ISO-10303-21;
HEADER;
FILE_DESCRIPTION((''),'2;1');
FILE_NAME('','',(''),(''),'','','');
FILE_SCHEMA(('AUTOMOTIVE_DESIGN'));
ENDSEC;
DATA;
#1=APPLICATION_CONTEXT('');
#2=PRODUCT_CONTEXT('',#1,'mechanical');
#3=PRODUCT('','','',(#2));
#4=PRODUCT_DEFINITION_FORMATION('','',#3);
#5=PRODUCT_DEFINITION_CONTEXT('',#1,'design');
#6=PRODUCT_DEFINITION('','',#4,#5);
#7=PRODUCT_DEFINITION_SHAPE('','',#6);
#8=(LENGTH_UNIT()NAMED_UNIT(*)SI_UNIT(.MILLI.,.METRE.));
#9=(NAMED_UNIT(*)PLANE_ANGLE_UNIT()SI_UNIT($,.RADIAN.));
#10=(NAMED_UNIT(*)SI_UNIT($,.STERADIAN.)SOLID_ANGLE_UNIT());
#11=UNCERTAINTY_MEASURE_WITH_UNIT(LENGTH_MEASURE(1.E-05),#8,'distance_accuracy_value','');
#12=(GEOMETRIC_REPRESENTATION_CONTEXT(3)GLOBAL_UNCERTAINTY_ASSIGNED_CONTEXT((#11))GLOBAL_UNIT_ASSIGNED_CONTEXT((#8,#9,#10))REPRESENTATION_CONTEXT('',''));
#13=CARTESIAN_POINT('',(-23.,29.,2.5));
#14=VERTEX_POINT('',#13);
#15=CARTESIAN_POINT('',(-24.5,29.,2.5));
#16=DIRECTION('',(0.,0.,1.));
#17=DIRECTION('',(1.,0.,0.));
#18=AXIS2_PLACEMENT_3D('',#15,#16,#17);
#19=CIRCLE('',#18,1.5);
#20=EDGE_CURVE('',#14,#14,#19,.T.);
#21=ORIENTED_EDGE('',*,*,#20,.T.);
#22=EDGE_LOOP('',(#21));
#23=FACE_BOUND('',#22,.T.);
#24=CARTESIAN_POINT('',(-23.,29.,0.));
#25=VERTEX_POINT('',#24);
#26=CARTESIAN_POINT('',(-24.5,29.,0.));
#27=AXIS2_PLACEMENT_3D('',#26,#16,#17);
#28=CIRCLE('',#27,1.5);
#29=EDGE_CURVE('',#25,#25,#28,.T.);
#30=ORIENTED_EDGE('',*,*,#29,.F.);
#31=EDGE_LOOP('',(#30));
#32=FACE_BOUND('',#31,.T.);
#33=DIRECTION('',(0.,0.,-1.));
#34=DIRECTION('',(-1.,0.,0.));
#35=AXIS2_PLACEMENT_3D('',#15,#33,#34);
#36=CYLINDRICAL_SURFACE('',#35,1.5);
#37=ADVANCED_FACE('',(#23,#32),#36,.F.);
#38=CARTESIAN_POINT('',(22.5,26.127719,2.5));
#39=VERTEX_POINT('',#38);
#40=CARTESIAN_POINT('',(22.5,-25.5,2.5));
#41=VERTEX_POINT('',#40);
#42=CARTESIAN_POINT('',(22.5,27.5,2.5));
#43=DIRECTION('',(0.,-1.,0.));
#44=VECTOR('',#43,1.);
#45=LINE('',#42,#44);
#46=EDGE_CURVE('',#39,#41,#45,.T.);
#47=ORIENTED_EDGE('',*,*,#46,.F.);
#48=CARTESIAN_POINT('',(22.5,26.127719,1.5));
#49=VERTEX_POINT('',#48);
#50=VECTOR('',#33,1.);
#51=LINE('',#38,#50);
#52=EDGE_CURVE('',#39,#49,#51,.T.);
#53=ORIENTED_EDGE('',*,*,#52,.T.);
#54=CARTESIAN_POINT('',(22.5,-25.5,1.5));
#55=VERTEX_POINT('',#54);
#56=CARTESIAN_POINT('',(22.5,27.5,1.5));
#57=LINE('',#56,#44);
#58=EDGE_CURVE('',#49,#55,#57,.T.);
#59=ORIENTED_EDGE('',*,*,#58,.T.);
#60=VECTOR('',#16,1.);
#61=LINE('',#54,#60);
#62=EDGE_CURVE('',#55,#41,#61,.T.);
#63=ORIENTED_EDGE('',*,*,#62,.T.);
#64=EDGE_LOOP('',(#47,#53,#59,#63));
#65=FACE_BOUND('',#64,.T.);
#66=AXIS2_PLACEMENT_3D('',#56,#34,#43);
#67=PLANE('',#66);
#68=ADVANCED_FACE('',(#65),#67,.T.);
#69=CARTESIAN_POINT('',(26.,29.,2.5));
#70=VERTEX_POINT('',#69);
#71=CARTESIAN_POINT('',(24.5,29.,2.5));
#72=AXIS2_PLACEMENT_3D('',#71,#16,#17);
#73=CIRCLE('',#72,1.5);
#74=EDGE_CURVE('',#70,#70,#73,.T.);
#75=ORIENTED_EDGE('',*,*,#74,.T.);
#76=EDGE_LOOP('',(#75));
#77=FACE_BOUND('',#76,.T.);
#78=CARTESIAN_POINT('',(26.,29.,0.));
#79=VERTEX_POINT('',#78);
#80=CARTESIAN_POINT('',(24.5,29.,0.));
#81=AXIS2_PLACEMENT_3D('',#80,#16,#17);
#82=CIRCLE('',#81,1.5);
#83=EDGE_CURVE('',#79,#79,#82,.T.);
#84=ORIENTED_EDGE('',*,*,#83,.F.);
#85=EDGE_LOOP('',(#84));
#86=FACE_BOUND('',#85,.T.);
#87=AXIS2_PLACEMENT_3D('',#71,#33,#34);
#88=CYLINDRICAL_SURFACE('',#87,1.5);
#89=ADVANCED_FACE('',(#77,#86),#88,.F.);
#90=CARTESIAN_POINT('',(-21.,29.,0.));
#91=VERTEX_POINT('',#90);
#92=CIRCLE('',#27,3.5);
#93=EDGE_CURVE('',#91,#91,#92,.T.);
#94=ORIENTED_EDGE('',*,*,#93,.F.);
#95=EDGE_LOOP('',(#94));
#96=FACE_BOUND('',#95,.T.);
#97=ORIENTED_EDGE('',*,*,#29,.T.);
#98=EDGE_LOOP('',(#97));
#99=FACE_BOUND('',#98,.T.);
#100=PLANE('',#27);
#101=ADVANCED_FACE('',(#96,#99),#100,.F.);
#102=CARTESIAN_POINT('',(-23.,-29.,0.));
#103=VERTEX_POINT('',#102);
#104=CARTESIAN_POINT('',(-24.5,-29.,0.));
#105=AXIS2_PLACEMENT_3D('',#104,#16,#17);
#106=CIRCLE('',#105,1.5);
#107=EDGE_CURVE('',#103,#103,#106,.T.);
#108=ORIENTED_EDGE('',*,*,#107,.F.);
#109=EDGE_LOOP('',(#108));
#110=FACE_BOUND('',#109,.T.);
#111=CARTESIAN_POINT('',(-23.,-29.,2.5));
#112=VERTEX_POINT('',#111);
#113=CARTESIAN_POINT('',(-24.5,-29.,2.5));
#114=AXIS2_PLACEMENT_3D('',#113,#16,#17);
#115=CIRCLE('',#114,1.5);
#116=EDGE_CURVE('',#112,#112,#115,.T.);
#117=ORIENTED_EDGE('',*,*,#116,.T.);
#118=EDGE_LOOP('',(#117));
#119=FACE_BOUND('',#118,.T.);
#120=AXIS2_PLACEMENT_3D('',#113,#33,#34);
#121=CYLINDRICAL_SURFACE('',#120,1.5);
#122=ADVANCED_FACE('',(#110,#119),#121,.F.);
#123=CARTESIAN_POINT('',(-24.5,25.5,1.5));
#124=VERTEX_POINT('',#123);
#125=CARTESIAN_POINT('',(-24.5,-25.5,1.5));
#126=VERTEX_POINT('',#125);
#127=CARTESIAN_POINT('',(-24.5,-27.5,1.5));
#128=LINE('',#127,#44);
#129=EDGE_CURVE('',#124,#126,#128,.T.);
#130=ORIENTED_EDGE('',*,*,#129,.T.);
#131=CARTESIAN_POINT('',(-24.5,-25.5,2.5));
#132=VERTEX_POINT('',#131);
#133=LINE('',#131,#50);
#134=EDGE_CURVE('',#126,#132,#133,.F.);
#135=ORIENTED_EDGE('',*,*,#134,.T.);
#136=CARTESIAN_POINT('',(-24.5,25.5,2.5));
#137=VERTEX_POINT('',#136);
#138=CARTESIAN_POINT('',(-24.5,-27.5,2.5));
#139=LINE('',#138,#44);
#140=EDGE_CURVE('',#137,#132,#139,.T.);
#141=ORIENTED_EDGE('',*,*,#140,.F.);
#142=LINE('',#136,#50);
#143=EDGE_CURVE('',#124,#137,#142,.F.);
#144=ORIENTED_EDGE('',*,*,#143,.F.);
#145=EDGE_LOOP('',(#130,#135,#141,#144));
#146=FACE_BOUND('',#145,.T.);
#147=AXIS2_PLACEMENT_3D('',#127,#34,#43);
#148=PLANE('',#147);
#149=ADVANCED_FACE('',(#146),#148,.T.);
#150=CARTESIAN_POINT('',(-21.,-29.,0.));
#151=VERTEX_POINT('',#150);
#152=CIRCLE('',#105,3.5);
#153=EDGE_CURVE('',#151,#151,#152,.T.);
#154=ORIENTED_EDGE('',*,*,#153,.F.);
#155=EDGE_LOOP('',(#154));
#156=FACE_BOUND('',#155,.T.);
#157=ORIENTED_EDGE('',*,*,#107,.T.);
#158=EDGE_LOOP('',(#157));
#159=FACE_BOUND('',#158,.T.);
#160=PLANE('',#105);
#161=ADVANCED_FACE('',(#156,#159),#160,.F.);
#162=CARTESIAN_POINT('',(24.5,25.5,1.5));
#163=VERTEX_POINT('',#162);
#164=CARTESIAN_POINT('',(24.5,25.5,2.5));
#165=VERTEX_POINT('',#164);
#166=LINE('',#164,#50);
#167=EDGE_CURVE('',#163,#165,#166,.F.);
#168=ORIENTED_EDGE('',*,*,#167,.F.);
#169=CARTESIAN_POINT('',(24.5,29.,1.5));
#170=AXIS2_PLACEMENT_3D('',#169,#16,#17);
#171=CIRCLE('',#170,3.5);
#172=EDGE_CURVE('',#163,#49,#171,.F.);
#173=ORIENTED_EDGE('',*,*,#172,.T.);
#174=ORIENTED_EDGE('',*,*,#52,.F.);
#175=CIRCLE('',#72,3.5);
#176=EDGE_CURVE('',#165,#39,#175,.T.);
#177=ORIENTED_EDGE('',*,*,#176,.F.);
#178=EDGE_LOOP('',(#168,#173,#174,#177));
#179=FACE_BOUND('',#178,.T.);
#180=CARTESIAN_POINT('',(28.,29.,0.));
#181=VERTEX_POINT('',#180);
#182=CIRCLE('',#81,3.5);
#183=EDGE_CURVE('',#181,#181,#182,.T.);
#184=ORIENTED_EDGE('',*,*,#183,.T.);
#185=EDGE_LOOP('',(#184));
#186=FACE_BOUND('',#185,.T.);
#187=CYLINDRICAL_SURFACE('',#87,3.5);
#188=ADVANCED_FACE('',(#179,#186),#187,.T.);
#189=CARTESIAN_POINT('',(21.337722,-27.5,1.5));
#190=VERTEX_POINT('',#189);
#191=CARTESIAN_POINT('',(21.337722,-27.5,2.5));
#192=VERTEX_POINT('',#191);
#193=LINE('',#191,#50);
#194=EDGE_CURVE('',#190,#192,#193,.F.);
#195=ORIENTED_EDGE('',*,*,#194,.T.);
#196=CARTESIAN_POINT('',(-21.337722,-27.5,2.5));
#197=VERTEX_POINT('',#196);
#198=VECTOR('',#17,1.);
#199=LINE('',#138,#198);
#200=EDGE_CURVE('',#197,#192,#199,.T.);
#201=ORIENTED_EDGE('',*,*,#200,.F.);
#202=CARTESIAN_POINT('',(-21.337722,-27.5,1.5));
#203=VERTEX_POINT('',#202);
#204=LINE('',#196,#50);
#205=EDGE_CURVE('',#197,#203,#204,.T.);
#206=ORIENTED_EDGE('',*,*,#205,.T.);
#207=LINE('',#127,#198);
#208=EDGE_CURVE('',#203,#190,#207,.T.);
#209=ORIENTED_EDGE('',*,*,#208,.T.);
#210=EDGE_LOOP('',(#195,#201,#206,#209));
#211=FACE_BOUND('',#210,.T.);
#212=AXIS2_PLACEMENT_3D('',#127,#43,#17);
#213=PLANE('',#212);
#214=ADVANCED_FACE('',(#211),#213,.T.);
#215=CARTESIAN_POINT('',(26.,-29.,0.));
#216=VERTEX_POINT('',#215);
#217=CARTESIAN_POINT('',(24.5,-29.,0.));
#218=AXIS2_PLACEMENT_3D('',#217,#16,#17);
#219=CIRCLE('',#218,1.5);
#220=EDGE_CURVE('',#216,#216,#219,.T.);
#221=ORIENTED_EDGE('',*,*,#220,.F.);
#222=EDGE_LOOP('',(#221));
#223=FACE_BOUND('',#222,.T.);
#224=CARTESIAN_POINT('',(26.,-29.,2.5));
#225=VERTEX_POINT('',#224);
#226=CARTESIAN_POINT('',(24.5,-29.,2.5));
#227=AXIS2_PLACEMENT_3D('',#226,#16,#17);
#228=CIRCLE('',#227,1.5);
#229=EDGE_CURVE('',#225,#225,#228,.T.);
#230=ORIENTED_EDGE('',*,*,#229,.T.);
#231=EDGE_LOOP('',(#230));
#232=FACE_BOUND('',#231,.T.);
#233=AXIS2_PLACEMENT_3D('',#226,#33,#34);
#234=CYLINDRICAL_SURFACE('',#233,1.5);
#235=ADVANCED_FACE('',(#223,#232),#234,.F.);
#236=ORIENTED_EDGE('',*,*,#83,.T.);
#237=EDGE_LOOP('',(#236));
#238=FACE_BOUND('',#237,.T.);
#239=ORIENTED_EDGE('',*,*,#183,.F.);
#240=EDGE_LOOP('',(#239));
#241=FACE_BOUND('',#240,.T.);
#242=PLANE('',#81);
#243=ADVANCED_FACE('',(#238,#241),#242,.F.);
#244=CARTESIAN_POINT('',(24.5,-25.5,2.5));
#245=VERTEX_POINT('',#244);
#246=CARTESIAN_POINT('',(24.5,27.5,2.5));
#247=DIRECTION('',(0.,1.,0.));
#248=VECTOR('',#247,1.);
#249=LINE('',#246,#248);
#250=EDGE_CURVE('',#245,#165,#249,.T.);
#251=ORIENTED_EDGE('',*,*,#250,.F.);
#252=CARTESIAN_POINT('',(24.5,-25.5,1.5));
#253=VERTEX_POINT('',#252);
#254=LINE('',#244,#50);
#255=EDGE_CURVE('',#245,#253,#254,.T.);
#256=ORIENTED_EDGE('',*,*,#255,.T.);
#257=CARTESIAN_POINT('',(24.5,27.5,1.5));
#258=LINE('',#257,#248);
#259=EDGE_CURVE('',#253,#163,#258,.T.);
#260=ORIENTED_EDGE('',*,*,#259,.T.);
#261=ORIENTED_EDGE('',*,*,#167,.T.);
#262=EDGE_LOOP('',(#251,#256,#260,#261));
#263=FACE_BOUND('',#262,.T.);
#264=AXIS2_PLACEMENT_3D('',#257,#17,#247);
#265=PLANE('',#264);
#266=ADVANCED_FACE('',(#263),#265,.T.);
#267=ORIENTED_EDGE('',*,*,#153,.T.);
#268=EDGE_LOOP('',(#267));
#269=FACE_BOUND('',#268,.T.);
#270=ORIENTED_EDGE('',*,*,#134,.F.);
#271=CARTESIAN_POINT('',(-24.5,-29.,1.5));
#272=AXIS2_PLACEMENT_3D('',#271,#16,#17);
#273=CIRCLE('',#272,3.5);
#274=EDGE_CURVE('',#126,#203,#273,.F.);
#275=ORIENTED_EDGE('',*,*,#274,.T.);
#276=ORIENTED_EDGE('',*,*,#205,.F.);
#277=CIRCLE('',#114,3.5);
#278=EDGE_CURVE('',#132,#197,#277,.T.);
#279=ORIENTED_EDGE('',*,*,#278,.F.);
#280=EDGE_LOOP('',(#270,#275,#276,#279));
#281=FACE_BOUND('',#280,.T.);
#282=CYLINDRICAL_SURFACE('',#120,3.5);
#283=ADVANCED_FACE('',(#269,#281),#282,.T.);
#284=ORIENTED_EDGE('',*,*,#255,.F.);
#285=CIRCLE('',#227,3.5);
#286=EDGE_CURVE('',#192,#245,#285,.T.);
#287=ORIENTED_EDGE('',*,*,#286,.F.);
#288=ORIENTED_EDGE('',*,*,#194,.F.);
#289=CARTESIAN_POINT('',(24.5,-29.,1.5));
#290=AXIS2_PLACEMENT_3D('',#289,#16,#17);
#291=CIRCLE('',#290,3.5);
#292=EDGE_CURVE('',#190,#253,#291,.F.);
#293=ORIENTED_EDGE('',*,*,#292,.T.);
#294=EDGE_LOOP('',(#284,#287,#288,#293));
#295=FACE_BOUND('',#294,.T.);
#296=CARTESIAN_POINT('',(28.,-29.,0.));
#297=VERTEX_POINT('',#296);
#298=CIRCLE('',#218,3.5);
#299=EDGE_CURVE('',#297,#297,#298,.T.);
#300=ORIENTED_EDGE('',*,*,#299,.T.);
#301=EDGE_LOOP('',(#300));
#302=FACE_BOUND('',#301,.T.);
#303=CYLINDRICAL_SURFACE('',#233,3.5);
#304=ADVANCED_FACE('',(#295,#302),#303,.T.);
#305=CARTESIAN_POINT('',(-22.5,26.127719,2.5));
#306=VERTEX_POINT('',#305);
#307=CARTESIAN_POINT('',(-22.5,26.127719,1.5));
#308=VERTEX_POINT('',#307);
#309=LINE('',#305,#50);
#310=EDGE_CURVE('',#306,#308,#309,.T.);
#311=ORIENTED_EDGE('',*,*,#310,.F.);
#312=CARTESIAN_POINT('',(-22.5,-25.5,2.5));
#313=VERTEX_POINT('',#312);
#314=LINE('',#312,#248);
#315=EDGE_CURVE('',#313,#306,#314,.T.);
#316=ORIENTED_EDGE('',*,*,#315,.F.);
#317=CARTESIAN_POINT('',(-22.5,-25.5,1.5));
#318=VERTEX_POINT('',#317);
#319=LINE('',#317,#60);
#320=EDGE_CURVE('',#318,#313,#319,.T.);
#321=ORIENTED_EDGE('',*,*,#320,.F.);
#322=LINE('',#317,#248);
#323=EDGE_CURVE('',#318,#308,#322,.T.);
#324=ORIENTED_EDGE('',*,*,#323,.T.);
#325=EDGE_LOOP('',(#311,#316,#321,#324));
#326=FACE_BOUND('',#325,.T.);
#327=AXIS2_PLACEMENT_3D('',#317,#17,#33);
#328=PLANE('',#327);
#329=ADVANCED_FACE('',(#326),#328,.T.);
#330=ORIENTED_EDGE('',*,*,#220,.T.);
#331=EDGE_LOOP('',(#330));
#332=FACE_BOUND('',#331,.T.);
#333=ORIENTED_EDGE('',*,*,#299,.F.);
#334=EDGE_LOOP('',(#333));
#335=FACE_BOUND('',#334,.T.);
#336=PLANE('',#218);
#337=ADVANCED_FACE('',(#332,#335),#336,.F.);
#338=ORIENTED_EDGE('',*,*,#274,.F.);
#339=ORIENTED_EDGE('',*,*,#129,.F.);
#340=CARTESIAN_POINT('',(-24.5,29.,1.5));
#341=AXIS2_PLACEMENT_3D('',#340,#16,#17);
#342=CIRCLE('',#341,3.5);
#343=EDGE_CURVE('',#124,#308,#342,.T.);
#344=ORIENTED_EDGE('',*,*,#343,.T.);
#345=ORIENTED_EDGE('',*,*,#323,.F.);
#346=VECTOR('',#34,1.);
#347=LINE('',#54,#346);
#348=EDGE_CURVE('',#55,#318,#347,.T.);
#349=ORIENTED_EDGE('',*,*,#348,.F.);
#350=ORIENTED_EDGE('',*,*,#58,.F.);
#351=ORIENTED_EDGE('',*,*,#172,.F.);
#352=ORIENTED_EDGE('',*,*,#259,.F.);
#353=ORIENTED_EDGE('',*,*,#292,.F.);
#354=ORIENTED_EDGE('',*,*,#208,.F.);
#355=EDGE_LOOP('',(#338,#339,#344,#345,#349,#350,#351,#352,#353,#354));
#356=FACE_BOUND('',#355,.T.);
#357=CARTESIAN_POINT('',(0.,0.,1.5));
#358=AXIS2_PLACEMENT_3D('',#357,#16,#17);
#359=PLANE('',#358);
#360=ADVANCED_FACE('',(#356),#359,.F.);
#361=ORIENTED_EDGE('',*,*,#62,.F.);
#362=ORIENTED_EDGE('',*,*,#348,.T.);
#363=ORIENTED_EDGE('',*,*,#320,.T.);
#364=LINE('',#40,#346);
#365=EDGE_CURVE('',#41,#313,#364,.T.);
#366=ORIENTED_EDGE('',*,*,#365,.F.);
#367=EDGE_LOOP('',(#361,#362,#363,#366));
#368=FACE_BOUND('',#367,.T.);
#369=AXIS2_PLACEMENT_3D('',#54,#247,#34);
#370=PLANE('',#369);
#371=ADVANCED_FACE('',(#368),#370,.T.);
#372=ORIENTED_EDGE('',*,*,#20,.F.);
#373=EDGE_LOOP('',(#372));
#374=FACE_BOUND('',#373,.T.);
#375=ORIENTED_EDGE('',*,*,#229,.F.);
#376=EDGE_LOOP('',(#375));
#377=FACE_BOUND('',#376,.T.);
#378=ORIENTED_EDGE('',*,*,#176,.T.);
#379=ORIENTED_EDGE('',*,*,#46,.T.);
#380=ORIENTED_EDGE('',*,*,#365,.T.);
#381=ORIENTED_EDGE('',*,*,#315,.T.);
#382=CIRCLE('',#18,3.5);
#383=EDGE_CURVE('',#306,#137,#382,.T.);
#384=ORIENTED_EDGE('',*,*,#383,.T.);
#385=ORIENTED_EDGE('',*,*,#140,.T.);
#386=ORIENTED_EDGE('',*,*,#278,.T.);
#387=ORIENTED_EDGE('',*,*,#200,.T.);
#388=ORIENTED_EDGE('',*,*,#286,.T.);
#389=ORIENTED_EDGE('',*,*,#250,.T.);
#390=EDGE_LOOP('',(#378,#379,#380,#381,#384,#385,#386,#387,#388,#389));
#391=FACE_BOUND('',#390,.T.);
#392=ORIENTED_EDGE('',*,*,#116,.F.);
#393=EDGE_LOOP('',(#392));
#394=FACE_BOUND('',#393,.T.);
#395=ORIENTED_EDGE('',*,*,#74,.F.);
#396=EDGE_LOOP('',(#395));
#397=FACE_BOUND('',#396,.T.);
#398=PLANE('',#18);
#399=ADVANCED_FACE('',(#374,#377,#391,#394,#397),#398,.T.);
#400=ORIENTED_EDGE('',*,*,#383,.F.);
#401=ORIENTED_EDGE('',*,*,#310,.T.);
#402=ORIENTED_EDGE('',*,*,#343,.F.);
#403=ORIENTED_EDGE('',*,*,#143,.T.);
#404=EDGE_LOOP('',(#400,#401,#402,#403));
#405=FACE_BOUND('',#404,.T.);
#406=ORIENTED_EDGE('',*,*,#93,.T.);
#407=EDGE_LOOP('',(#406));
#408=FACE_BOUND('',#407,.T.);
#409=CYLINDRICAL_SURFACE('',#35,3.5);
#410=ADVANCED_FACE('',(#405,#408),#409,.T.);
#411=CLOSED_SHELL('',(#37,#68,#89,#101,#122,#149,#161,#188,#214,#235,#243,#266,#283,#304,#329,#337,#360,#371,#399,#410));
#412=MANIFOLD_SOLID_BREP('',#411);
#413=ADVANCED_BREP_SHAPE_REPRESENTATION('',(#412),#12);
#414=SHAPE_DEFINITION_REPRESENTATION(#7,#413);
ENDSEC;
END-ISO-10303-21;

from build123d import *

# Parameters (mm, degrees)
ESQUISSE1_R          = 3.5
ESQUISSE1_R_2        = 1.5
BOSS_EXTRU_2_DEPTH   = 2.5
BOSS_EXTRU_2_2_DEPTH = 2.5
BOSS_EXTRU_2_3_DEPTH = 2.5
BOSS_EXTRU_2_4_DEPTH = 2.5
BOSS_EXTRU_3_DEPTH   = 1


with BuildPart() as part:
    # Esquisse1 → Boss.-Extru.2 (new body)
    with BuildSketch(Plane.XY):
        with Locations((-24.5, 29)):
            Circle(ESQUISSE1_R)
        with Locations((-24.5, 29)):
            Circle(ESQUISSE1_R_2, mode=Mode.SUBTRACT)
    extrude(amount=BOSS_EXTRU_2_DEPTH)



with BuildPart() as body_2:
    # Esquisse1 → Boss.-Extru.2 2 (new body)
    with BuildSketch(Plane.XY):
        with Locations((24.5, 29)):
            Circle(ESQUISSE1_R)
        with Locations((24.5, 29)):
            Circle(ESQUISSE1_R_2, mode=Mode.SUBTRACT)
    extrude(amount=BOSS_EXTRU_2_2_DEPTH)


with BuildPart() as body_3:
    # Esquisse1 → Boss.-Extru.2 3 (new body)
    with BuildSketch(Plane.XY):
        with Locations((-24.5, -29)):
            Circle(ESQUISSE1_R)
        with Locations((-24.5, -29)):
            Circle(ESQUISSE1_R_2, mode=Mode.SUBTRACT)
    extrude(amount=BOSS_EXTRU_2_3_DEPTH)


with BuildPart() as body_4:
    # Esquisse1 → Boss.-Extru.2 4 (new body)
    with BuildSketch(Plane.XY):
        with Locations((24.5, -29)):
            Circle(ESQUISSE1_R)
        with Locations((24.5, -29)):
            Circle(ESQUISSE1_R_2, mode=Mode.SUBTRACT)
    extrude(amount=BOSS_EXTRU_2_4_DEPTH)


with BuildPart() as part_1:
    add(part.part)

    add(body_2.part)  # Boss.-Extru.3 merges body 2

    add(body_3.part)  # Boss.-Extru.3 merges body 3

    add(body_4.part)  # Boss.-Extru.3 merges body 4
    # Esquisse3 → Boss.-Extru.3 (add)
    with BuildSketch(Plane.XY.offset(2.5)):
        Polygon((24.5, 27.5), (24.5, -27.5), (-24.5, -27.5), (-24.5, 27.5), (-22.5, 27.5), (-22.5, -25.5), (22.5, -25.5), (22.5, 27.5), align=None)
    extrude(amount=-BOSS_EXTRU_3_DEPTH)


solid = part_1.part
